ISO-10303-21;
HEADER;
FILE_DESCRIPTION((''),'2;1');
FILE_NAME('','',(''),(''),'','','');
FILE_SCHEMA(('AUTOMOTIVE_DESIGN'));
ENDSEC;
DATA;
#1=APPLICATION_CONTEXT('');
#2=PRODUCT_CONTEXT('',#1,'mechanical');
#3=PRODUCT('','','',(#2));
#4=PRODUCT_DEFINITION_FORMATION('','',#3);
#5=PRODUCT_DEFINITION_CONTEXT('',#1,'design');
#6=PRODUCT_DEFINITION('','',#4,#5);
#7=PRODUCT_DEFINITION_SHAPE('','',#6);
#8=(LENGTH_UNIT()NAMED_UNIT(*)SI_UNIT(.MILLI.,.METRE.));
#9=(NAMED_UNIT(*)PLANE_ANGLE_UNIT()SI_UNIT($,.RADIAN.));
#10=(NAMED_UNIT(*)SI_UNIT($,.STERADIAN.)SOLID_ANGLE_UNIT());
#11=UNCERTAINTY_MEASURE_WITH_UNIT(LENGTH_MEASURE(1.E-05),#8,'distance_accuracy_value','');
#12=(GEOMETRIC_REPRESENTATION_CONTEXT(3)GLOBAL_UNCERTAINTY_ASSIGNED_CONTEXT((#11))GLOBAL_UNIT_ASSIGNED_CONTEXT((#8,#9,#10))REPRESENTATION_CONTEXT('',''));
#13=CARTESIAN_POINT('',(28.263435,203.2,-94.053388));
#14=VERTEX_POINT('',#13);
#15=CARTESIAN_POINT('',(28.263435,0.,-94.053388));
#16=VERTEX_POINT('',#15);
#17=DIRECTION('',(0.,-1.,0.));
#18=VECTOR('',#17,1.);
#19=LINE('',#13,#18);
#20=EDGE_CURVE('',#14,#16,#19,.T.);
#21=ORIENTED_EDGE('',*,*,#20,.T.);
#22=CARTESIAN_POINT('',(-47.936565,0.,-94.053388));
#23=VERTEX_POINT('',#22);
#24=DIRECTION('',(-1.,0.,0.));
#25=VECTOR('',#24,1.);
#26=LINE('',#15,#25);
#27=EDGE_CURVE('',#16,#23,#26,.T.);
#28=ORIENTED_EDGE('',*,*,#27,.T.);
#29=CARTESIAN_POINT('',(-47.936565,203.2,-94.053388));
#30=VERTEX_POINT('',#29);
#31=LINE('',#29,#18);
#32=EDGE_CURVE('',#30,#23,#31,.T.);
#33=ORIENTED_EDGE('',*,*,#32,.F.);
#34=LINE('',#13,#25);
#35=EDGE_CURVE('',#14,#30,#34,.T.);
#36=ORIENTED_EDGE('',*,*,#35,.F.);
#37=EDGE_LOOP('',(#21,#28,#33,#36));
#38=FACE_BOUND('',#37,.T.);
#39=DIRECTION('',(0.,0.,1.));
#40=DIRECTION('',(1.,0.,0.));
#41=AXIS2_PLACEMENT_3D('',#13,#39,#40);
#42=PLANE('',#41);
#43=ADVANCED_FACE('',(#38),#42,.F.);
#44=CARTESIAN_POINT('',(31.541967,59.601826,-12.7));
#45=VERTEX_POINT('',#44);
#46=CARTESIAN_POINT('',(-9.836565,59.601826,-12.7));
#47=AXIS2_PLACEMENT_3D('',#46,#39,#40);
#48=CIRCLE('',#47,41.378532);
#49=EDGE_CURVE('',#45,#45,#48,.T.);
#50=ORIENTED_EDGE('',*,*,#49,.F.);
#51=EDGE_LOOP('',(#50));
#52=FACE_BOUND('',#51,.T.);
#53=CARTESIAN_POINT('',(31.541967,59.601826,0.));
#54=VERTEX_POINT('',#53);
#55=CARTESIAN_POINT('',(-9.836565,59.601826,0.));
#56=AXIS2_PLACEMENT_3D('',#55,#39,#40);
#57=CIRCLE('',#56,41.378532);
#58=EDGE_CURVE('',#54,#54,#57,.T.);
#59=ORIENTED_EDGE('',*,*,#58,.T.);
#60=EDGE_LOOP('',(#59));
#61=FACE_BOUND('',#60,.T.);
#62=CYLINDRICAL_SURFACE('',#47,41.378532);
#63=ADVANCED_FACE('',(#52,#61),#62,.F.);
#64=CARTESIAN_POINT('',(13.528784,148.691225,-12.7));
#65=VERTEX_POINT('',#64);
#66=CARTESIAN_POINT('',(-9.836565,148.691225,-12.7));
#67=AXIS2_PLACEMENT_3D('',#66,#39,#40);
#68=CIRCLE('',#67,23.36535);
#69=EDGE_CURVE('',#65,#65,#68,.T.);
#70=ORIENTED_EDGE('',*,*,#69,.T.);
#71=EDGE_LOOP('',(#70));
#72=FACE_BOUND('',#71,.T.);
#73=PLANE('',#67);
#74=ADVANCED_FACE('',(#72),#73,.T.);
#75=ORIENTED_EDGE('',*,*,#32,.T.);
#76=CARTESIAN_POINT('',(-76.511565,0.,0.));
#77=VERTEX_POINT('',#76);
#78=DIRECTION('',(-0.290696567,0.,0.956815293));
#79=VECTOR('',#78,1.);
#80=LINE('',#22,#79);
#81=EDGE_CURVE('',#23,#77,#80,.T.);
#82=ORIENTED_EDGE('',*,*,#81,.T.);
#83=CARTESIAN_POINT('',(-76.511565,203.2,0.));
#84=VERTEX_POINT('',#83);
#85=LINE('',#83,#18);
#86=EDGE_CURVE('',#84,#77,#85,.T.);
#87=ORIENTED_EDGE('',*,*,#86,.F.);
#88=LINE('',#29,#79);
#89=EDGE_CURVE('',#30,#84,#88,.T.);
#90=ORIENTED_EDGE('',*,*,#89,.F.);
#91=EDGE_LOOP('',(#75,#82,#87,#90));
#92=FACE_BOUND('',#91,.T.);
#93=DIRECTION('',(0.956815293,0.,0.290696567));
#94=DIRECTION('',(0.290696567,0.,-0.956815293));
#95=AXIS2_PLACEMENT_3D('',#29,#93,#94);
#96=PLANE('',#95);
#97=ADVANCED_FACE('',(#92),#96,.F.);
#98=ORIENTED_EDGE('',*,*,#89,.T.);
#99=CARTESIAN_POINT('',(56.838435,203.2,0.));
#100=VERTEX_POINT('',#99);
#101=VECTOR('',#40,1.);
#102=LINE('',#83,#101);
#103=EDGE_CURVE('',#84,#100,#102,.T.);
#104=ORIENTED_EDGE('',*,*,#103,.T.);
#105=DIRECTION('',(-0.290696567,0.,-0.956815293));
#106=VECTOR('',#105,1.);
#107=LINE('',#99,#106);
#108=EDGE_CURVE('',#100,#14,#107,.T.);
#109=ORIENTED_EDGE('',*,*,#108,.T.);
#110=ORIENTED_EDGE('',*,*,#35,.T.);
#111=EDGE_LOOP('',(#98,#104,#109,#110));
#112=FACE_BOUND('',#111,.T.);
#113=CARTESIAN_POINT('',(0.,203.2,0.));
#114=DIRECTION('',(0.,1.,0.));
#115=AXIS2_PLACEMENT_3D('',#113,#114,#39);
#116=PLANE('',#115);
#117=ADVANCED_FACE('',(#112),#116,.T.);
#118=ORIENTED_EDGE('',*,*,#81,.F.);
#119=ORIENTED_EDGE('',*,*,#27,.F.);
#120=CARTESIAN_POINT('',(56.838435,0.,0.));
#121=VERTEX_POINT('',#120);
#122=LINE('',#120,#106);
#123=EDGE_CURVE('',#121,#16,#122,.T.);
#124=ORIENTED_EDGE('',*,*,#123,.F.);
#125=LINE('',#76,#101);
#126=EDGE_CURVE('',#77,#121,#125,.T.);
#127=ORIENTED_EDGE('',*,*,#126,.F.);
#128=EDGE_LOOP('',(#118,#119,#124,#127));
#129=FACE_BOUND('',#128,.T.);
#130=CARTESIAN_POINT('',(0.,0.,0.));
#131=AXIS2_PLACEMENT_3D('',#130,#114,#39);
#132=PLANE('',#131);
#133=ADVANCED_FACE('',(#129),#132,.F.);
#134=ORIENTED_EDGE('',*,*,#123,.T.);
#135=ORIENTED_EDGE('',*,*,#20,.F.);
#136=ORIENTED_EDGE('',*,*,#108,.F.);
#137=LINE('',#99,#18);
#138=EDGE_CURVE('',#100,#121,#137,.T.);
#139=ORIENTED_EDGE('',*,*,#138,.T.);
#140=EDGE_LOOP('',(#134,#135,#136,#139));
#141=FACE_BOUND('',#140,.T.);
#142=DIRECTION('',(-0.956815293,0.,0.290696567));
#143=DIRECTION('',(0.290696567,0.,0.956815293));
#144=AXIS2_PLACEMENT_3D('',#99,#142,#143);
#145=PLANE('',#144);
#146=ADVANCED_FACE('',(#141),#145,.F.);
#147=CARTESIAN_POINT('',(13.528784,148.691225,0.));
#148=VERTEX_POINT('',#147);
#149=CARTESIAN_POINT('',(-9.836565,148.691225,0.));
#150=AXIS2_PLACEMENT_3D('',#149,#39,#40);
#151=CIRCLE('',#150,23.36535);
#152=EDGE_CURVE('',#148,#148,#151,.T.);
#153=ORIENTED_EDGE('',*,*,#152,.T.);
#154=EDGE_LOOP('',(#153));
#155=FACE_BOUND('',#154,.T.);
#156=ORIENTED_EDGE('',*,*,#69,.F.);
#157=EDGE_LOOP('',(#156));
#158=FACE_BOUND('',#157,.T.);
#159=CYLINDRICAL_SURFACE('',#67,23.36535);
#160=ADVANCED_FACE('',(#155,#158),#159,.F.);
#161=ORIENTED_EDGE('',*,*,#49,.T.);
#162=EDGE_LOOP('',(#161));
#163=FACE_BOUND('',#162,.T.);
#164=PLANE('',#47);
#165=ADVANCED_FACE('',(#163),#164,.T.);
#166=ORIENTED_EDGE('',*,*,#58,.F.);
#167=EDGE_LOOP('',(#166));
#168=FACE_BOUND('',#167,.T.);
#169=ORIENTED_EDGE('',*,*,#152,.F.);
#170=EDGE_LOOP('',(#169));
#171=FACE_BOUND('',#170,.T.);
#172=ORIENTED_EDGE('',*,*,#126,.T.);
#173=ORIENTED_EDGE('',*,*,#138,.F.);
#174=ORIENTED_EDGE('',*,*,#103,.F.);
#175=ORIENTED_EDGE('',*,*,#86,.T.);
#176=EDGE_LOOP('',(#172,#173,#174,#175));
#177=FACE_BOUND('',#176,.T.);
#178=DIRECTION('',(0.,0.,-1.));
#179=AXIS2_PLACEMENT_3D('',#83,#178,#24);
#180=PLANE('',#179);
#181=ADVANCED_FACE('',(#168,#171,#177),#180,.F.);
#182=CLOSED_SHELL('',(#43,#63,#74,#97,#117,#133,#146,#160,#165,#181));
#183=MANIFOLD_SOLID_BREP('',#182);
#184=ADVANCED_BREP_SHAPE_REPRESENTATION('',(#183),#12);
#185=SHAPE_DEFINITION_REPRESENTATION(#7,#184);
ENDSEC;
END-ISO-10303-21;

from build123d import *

# Parameters (mm, degrees)
BOSS_EXTRUDE1_DEPTH = 203.2
SKETCH2_R           = 23.365349899
SKETCH2_R_2         = 41.378531947
CUT_EXTRUDE1_DEPTH  = 12.7


with BuildPart() as part:
    # Sketch1 → Boss-Extrude1 (new body)
    with BuildSketch(Plane(origin=(0, 0, 0), x_dir=(1, 0, 0), z_dir=(0, 1, 0))):
        Polygon((-76.511565421, 0), (56.838434579, 0), (28.263434579, 94.053387857), (-47.936565421, 94.053387857), align=None)
    extrude(amount=BOSS_EXTRUDE1_DEPTH)

    # Sketch2 → Cut-Extrude1 (cut)
    with BuildSketch(Plane.XY):
        with Locations((-9.836565421, 148.691225426)):
            Circle(SKETCH2_R)
        with Locations((-9.836565421, 59.601825969)):
            Circle(SKETCH2_R_2)
    extrude(amount=-CUT_EXTRUDE1_DEPTH, mode=Mode.SUBTRACT)


solid = part.part
